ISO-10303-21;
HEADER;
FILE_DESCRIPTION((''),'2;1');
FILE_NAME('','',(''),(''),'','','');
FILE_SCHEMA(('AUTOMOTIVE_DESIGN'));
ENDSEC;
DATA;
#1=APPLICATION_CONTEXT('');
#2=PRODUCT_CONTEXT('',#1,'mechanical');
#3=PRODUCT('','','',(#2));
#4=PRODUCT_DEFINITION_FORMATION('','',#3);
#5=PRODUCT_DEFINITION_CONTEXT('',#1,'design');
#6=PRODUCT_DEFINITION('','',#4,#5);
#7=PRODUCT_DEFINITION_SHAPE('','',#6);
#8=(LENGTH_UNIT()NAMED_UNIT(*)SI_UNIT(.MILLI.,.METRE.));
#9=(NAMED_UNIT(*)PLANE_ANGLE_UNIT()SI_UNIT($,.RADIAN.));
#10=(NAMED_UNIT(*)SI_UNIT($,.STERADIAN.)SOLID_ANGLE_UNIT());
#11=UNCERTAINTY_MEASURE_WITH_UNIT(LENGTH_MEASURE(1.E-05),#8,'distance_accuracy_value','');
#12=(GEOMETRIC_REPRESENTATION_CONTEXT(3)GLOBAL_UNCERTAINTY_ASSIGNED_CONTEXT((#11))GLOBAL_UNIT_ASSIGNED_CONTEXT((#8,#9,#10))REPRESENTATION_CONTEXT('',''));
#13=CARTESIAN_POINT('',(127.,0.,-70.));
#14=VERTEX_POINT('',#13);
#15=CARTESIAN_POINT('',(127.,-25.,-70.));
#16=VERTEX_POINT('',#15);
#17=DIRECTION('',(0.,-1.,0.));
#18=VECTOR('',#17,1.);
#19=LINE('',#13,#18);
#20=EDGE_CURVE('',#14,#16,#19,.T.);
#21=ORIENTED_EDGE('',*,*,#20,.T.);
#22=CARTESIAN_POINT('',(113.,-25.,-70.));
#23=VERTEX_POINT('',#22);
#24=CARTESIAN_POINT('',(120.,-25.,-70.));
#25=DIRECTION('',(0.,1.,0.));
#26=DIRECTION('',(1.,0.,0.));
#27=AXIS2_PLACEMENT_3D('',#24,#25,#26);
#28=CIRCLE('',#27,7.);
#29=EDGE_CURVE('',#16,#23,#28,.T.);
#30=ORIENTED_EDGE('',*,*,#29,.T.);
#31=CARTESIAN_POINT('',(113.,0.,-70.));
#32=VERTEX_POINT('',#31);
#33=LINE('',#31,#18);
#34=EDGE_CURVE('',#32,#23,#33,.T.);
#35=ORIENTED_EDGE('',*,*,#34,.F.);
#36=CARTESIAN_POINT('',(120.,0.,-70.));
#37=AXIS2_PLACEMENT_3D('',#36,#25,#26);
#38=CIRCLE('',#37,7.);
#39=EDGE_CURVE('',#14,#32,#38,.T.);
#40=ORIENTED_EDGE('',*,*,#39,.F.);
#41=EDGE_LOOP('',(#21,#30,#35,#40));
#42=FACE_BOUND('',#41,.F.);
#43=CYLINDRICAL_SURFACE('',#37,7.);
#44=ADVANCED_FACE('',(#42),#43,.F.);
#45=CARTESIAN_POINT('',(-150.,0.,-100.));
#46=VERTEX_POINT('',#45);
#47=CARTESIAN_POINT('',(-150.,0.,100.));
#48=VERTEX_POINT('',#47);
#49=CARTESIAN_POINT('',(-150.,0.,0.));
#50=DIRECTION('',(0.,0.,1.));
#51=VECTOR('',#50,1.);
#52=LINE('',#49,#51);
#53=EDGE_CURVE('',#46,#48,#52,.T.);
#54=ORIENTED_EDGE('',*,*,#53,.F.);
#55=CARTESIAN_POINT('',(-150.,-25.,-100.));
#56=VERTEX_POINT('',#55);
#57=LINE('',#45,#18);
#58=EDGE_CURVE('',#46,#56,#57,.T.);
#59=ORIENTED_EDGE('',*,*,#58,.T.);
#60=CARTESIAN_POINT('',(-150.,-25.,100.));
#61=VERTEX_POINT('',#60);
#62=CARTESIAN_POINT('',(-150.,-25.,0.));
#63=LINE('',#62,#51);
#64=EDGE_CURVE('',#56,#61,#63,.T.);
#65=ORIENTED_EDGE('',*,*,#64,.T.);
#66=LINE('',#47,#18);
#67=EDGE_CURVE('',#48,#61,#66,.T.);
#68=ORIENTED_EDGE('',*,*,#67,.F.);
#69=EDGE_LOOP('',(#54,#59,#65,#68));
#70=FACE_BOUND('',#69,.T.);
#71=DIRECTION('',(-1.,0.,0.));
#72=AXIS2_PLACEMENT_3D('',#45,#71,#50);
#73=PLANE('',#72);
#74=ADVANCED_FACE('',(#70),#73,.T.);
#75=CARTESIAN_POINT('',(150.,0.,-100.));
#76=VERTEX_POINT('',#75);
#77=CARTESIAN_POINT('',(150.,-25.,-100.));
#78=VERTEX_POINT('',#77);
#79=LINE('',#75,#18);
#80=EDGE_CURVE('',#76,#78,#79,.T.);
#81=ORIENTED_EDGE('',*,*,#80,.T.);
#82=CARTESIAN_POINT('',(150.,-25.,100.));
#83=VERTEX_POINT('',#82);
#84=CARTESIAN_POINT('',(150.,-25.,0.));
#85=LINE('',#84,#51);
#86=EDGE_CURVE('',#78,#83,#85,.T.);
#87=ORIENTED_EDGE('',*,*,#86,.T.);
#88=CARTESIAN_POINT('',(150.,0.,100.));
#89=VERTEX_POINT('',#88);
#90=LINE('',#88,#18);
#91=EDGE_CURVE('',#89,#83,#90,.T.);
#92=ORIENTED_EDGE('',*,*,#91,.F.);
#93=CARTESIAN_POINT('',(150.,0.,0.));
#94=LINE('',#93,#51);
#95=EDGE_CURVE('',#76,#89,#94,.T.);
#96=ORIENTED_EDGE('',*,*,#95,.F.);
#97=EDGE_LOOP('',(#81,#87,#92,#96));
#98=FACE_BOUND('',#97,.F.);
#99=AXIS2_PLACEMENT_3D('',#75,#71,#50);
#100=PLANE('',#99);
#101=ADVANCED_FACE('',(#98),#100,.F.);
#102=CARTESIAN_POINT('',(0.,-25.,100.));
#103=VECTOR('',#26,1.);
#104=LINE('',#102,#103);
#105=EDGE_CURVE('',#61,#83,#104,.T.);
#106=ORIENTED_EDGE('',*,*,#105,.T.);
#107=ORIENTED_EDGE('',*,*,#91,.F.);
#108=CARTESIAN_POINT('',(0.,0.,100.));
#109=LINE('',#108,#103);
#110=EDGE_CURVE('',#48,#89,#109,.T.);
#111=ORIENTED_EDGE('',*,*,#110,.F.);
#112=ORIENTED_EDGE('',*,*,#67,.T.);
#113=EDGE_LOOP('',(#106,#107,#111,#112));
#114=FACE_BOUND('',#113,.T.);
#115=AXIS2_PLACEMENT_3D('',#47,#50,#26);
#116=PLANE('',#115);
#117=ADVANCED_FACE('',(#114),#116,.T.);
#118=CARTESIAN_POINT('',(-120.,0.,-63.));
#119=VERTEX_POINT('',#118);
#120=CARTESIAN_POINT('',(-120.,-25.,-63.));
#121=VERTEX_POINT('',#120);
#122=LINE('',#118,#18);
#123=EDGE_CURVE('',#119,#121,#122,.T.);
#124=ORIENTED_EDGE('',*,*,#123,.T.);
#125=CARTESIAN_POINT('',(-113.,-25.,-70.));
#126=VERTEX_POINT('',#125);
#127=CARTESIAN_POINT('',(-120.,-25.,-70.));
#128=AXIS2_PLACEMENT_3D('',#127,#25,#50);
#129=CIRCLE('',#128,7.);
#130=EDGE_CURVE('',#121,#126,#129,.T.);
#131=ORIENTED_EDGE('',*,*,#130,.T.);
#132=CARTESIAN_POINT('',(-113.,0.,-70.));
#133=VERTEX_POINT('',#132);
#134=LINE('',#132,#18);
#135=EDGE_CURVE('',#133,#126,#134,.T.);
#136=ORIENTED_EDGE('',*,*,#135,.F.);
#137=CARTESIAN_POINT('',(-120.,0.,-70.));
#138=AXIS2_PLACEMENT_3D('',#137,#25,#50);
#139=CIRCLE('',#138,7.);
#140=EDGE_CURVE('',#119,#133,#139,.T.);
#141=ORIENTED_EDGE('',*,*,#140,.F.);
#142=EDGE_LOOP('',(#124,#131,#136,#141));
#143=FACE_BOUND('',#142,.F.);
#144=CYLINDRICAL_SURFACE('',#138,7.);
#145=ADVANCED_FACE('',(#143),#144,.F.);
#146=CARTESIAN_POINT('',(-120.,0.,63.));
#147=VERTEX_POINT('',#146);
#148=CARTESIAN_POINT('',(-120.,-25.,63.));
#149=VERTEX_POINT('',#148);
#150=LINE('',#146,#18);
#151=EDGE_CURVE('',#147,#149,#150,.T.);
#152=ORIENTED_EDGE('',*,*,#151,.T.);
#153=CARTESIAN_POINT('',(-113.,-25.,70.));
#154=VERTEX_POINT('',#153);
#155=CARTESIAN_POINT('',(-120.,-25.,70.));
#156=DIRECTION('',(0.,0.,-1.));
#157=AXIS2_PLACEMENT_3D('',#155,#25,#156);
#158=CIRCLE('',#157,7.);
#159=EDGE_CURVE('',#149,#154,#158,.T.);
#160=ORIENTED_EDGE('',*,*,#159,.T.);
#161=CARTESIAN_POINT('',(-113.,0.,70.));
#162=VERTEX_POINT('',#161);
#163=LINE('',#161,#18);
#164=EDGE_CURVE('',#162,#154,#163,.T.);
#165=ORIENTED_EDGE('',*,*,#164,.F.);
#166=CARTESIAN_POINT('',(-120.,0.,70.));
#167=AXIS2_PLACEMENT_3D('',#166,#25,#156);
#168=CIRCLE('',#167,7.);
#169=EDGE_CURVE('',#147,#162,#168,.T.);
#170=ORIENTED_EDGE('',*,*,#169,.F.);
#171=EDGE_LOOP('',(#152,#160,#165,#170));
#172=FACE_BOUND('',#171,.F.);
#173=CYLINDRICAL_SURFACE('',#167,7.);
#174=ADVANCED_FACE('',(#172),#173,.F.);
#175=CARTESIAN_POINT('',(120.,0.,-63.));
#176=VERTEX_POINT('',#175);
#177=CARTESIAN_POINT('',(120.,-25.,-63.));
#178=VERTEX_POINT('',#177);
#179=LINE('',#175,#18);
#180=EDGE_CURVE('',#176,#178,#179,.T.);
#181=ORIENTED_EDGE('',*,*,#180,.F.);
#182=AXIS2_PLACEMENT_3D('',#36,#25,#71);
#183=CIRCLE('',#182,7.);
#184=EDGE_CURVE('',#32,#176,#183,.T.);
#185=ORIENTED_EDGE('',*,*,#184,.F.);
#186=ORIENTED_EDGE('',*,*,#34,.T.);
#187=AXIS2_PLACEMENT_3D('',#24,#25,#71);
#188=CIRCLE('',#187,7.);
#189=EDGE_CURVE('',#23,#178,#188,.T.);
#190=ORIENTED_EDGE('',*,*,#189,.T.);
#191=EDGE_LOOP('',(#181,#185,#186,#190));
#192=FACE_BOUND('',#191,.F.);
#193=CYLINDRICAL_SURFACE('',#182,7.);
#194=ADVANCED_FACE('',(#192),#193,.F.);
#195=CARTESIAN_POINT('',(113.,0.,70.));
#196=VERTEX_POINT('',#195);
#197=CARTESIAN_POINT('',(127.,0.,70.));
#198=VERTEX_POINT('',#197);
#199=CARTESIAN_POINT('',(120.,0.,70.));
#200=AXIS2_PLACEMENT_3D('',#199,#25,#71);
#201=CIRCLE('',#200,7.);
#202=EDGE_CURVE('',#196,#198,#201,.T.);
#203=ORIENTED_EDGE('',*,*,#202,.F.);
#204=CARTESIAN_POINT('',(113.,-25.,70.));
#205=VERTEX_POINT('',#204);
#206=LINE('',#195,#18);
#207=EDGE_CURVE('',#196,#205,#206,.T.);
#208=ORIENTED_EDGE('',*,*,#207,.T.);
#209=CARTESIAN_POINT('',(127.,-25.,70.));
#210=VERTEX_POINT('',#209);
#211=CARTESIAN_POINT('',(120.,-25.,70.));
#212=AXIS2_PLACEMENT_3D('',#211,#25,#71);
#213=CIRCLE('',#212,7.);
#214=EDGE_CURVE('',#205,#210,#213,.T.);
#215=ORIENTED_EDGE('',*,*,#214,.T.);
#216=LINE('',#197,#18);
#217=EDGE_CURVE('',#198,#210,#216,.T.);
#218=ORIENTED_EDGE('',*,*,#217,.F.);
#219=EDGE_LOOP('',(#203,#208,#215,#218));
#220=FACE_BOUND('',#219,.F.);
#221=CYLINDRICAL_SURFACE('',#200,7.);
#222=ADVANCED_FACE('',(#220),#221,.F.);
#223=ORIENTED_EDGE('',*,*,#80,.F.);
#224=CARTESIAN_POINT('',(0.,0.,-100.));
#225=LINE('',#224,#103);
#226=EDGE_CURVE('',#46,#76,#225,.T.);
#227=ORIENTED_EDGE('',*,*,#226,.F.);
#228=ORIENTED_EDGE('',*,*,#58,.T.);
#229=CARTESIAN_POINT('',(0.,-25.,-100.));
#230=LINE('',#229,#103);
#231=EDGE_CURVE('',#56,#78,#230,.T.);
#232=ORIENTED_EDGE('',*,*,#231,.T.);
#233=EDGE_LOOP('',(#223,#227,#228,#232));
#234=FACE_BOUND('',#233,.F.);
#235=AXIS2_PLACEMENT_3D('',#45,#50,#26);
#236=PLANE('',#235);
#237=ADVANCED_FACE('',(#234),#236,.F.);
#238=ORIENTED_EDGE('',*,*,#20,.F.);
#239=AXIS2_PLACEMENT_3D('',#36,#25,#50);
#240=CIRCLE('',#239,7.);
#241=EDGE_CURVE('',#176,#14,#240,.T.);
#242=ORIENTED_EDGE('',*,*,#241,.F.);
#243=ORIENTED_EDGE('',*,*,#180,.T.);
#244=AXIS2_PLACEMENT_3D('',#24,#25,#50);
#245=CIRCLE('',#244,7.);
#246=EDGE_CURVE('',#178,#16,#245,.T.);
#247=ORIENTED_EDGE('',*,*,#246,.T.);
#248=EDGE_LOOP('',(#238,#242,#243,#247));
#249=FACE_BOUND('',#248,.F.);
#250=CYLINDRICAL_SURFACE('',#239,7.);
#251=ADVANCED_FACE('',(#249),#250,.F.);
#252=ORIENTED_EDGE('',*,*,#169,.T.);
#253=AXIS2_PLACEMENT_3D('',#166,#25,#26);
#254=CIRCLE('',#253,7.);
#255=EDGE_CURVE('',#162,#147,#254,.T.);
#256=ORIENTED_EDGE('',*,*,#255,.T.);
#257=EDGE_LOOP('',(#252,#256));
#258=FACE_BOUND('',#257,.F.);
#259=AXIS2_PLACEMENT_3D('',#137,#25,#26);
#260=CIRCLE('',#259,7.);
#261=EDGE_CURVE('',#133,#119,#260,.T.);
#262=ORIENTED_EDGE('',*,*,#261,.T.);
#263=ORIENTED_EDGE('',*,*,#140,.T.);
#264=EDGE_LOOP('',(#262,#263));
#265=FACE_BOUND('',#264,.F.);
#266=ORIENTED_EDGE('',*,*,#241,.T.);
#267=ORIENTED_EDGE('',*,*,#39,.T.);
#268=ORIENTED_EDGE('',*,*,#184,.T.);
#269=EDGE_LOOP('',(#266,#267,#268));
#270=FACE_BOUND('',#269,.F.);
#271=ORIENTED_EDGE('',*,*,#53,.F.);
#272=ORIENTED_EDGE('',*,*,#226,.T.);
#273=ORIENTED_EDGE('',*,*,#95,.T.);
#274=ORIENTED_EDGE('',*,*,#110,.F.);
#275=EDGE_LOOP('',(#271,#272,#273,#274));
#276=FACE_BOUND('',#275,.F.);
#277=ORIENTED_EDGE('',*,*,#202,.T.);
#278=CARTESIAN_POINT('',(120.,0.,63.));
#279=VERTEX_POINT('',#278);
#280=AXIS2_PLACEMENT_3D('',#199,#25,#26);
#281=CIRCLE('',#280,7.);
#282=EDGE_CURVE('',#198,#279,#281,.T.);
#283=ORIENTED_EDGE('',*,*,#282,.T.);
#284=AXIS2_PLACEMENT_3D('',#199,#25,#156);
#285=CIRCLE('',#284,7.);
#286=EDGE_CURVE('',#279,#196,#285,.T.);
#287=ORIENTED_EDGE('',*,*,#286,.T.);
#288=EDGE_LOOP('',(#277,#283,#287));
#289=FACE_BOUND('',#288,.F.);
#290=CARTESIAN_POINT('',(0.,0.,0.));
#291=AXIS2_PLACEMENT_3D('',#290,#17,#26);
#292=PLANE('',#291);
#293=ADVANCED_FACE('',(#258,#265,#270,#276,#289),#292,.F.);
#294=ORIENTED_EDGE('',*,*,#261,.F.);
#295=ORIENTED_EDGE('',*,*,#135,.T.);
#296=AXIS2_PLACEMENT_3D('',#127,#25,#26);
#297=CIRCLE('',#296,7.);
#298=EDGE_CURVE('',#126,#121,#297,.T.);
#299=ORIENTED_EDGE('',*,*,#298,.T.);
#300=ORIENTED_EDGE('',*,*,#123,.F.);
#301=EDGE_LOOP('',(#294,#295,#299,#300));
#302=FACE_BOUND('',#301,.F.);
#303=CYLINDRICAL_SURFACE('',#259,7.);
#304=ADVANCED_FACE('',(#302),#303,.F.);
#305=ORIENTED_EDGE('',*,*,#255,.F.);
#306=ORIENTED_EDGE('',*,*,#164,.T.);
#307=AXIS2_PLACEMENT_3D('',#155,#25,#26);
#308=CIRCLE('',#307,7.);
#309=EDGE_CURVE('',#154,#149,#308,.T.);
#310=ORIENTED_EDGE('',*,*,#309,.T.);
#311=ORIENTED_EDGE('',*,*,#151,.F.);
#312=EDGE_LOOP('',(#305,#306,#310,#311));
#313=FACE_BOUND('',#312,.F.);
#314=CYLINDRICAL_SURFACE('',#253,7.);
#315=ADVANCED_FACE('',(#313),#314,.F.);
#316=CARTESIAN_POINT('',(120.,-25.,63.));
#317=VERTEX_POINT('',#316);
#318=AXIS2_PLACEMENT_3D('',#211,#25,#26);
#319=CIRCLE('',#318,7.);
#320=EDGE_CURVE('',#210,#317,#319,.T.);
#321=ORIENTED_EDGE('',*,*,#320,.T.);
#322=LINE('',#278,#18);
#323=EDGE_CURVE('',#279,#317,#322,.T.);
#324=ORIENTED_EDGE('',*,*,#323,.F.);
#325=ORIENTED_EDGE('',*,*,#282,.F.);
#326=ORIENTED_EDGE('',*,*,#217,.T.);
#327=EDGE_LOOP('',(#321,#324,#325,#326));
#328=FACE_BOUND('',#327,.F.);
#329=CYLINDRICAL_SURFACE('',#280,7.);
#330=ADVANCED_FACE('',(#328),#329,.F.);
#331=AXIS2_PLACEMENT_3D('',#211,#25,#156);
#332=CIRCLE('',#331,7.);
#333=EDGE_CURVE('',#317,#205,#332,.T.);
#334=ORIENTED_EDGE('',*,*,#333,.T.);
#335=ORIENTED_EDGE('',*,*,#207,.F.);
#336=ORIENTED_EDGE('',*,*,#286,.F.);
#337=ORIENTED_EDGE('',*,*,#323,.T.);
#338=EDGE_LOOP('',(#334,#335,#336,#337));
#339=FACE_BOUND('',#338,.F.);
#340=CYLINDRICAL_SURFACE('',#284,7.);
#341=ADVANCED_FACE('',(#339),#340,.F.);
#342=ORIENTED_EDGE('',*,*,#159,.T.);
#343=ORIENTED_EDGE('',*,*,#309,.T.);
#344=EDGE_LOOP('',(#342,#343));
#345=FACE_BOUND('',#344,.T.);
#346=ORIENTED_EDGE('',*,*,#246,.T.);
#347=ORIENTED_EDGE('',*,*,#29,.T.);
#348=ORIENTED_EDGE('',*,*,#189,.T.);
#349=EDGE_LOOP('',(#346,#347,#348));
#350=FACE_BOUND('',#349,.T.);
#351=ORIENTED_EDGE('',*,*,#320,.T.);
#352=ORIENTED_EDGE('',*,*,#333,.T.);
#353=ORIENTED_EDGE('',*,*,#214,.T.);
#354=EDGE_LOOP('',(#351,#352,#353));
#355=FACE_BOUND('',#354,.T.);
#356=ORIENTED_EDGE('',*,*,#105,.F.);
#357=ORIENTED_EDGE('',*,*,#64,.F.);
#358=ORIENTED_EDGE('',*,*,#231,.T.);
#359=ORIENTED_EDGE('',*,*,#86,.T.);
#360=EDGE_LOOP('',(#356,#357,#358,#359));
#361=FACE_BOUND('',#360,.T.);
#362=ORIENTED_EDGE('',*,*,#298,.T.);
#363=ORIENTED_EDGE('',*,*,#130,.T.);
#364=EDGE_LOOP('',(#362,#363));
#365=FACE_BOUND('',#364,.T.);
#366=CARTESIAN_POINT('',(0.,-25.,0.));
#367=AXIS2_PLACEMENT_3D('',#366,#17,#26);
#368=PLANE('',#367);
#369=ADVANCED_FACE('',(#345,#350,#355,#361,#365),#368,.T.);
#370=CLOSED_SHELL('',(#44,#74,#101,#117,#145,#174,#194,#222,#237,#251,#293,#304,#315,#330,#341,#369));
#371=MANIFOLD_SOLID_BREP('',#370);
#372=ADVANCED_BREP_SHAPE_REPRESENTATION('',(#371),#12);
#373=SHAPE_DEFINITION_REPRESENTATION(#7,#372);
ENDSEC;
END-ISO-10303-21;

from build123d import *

# Parameters (mm, degrees)
F0_W     = 300
F0_H     = 200
F1_DEPTH = 25


with BuildPart() as f1:
    # F0 (on Front) → F1 (new body)
    with BuildSketch(Plane.XZ):
        Rectangle(F0_W, F0_H)
        with BuildLine():
            ThreePointArc((-120, 63), (-124.9497474683, 74.9497474683), (-113, 70))
            Line((-113, 70), (113, 70))
            ThreePointArc((113, 70), (120, 77), (127, 70))
            ThreePointArc((127, 70), (124.9497474683, 65.0502525317), (120, 63))
            Line((120, 63), (120, -63))
            ThreePointArc((120, -63), (124.9497474683, -65.0502525317), (127, -70))
            ThreePointArc((127, -70), (120, -77), (113, -70))
            Line((113, -70), (-113, -70))
            ThreePointArc((-113, -70), (-124.9497474683, -74.9497474683), (-120, -63))
            Line((-120, -63), (-120, 63))
        make_face(mode=Mode.SUBTRACT)
        with BuildLine():
            Line((113, 70), (-113, 70))
            ThreePointArc((-113, 70), (-115.0502525317, 65.0502525317), (-120, 63))
            Line((-120, 63), (-120, -63))
            ThreePointArc((-120, -63), (-115.0502525317, -65.0502525317), (-113, -70))
            Line((-113, -70), (113, -70))
            ThreePointArc((113, -70), (115.0502525317, -65.0502525317), (120, -63))
            Line((120, -63), (120, 63))
            ThreePointArc((120, 63), (115.0502525317, 65.0502525317), (113, 70))
        make_face()
    extrude(amount=F1_DEPTH)


solid = f1.part
